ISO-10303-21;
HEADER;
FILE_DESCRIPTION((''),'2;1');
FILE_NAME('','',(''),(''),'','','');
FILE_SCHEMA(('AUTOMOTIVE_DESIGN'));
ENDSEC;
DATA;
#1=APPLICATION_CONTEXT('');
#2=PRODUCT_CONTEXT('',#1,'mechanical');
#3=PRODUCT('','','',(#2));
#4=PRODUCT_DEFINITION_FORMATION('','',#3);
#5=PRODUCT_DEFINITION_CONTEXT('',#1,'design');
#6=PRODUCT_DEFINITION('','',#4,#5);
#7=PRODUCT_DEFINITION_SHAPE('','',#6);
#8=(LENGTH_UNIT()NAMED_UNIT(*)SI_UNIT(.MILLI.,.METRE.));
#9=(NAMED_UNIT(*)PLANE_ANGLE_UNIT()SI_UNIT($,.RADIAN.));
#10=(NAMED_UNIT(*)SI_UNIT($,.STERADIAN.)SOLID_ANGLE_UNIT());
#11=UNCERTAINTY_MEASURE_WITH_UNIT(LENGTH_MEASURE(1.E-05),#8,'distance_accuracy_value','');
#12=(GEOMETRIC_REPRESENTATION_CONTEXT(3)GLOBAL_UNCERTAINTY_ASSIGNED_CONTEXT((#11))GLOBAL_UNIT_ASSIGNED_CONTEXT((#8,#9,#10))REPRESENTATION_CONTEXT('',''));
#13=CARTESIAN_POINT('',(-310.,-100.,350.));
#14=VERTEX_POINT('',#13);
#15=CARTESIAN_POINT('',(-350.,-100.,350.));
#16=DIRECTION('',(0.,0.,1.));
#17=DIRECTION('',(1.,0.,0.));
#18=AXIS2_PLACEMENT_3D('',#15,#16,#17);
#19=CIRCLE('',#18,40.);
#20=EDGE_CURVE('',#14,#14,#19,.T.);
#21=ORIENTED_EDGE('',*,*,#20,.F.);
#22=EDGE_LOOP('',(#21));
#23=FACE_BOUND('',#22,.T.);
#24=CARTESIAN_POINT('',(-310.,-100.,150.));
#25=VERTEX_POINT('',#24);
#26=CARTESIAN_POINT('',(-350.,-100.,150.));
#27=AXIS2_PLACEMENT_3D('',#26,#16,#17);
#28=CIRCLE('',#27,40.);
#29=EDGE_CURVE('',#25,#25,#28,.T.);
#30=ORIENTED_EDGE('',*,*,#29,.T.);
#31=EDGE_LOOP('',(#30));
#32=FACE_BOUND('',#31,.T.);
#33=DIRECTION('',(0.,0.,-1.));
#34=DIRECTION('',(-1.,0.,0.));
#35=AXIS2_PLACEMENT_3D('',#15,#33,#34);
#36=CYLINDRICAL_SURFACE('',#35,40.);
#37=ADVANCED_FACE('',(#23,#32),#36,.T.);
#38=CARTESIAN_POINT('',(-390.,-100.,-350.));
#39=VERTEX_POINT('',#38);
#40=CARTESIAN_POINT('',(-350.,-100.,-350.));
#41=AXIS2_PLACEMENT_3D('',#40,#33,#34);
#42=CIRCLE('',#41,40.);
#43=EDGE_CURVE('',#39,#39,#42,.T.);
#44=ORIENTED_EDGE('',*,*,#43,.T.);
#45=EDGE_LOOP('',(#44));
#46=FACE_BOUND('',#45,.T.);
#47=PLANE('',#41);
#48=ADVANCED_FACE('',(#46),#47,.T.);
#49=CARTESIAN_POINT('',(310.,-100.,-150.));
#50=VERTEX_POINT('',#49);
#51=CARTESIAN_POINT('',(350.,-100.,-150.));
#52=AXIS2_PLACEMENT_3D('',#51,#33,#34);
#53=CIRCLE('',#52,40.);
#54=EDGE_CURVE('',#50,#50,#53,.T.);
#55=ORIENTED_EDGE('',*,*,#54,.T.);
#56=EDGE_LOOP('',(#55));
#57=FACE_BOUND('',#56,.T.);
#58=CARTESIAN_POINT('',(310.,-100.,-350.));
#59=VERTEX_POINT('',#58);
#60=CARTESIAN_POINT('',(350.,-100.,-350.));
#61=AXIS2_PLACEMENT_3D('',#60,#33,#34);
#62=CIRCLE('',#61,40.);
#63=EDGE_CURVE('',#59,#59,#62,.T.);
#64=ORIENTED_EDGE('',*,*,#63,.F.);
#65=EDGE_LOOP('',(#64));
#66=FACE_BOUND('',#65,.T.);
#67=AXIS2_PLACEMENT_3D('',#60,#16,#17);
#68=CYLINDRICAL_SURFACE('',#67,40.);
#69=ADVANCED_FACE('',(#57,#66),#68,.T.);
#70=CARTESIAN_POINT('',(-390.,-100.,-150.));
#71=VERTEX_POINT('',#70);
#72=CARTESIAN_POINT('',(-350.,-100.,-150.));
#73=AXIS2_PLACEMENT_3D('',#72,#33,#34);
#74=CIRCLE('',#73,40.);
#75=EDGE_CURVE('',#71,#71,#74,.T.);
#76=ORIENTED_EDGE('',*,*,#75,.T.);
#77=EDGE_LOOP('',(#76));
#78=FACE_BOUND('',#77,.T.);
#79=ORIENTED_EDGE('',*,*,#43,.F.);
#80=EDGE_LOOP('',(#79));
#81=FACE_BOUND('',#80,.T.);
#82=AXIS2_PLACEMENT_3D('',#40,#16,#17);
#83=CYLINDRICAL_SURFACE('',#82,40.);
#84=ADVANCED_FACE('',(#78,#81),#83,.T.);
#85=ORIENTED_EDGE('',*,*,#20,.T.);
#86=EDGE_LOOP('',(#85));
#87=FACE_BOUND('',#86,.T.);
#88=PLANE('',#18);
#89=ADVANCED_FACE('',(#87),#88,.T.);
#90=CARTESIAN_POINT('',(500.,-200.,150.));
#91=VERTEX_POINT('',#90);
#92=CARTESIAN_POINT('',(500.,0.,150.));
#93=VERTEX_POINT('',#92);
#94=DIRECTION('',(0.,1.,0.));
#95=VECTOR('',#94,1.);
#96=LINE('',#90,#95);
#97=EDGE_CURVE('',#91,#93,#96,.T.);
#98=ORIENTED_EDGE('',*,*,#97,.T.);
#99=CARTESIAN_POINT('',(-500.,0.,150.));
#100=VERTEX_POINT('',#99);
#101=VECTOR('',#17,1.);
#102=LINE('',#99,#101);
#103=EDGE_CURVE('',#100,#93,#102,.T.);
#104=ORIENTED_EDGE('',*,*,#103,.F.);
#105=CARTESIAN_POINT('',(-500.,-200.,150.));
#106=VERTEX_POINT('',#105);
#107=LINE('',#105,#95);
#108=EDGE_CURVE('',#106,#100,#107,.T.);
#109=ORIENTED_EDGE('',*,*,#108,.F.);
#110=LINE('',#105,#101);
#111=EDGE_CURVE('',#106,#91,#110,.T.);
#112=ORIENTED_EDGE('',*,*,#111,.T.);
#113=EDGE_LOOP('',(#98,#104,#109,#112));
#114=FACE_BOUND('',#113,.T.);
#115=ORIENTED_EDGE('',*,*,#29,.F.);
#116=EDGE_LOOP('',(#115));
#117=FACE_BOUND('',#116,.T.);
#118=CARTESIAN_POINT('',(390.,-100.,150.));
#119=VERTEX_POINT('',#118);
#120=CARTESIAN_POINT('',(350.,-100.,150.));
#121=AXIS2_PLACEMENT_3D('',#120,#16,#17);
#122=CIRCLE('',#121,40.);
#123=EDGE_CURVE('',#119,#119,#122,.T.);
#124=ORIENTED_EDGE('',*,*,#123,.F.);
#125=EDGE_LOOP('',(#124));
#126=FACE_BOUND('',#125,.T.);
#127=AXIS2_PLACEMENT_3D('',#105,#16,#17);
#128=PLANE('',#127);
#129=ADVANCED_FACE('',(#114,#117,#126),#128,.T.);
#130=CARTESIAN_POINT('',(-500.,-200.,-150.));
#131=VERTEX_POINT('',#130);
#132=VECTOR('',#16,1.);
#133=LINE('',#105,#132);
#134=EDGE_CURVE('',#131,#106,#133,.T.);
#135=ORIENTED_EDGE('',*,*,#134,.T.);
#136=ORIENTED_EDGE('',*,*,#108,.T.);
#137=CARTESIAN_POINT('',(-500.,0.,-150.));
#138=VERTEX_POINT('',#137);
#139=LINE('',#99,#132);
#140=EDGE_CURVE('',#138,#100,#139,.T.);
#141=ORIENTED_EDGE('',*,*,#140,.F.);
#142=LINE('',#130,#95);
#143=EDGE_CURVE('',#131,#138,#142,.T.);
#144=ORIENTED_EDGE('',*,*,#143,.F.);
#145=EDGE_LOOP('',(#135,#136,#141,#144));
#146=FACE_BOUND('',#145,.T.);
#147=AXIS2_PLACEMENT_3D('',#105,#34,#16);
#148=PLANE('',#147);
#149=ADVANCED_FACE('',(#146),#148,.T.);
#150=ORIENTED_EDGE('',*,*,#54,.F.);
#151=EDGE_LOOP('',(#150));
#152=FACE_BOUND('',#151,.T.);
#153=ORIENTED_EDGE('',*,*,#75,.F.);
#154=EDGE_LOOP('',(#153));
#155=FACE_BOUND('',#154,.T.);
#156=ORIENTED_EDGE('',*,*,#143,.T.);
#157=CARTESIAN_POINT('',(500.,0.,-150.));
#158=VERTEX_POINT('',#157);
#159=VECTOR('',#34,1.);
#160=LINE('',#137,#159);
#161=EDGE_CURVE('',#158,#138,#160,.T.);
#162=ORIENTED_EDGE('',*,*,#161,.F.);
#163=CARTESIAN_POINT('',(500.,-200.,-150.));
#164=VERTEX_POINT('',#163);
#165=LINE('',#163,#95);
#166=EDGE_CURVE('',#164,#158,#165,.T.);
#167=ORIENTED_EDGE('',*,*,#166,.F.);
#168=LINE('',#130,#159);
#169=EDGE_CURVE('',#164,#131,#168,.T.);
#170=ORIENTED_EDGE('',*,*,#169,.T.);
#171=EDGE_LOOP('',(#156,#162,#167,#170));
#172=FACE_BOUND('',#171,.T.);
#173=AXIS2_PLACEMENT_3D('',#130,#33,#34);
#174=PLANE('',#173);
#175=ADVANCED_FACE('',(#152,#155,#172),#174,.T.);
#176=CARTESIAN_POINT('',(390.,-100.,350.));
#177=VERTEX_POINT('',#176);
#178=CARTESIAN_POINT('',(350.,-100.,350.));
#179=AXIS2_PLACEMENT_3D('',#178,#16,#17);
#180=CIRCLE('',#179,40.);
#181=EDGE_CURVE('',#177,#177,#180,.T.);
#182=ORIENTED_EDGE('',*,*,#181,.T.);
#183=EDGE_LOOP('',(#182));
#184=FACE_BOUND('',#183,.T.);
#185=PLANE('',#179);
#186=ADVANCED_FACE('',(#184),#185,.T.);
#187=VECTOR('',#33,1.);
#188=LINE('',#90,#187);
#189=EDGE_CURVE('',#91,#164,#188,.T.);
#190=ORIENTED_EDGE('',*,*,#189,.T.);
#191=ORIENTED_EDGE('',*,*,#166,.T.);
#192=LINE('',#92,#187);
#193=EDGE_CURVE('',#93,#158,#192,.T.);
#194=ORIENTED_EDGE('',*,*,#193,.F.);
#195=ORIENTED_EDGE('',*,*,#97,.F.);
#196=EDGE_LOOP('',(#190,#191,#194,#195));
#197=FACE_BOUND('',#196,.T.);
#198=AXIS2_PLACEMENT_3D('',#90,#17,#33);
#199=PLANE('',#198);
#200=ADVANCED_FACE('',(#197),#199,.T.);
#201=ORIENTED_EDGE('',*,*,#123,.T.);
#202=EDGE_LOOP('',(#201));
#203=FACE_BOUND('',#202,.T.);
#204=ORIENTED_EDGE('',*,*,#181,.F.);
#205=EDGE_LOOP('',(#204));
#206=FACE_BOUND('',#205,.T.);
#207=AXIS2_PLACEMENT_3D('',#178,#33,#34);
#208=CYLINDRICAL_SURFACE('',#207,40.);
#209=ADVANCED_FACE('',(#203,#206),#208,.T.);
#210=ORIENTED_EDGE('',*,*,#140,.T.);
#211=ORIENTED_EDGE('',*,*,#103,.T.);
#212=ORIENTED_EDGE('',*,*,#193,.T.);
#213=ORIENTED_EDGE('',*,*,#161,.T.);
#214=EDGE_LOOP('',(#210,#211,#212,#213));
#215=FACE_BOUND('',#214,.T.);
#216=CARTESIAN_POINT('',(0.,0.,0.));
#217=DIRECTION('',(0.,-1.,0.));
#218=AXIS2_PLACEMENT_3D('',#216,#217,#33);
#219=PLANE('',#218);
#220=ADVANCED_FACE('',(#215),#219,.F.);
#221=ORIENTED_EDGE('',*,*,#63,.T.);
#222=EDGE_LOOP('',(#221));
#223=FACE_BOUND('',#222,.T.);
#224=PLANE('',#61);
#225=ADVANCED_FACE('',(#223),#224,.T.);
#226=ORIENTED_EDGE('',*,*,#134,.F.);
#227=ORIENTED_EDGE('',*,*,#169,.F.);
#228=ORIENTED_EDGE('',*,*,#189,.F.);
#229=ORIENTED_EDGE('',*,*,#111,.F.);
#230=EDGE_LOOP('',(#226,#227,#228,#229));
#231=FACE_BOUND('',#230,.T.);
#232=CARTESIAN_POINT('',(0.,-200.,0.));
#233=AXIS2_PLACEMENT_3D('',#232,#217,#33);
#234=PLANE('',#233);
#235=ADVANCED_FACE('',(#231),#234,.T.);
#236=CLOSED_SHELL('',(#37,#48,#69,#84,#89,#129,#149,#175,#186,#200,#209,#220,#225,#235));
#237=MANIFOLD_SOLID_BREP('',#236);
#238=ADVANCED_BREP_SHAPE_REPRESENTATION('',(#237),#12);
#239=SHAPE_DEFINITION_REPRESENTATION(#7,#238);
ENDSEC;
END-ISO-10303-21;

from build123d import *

# Parameters (mm, degrees)
SKETCH2_W           = 1000
SKETCH2_H           = 300
BOSS_EXTRUDE1_DEPTH = 200
SKETCH3_R           = 40
BOSS_EXTRUDE2_DEPTH = 200
BOSS_EXTRUDE3_START = 200
SKETCH5_R           = 40
BOSS_EXTRUDE3_DEPTH = 200


with BuildPart() as part:
    # Sketch2 → Boss-Extrude1 (new body)
    with BuildSketch(Plane(origin=(0, 0, 0), x_dir=(1, 0, 0), z_dir=(0, 1, 0))):
        Rectangle(SKETCH2_W, SKETCH2_H)
    extrude(amount=-BOSS_EXTRUDE1_DEPTH)

    # Sketch3 → Boss-Extrude2 (add)
    with BuildSketch(Plane.XY.offset(150)):
        with Locations((-350, -100)):
            Circle(SKETCH3_R)
        with Locations((350, -100)):
            Circle(SKETCH3_R)
    extrude(amount=BOSS_EXTRUDE2_DEPTH)

    # Sketch5 → Boss-Extrude3 (add)
    with BuildSketch(Plane(origin=(0, 0, -150), x_dir=(-1, 0, 0), z_dir=(0, 0, -1)).offset(BOSS_EXTRUDE3_START)):
        with Locations(Location((-350, -100, 0), (0, 0, 180))):
            Circle(SKETCH5_R)
        with Locations(Location((350, -100, 0), (0, 0, 180))):
            Circle(SKETCH5_R)
    extrude(amount=-BOSS_EXTRUDE3_DEPTH)


solid = part.part
